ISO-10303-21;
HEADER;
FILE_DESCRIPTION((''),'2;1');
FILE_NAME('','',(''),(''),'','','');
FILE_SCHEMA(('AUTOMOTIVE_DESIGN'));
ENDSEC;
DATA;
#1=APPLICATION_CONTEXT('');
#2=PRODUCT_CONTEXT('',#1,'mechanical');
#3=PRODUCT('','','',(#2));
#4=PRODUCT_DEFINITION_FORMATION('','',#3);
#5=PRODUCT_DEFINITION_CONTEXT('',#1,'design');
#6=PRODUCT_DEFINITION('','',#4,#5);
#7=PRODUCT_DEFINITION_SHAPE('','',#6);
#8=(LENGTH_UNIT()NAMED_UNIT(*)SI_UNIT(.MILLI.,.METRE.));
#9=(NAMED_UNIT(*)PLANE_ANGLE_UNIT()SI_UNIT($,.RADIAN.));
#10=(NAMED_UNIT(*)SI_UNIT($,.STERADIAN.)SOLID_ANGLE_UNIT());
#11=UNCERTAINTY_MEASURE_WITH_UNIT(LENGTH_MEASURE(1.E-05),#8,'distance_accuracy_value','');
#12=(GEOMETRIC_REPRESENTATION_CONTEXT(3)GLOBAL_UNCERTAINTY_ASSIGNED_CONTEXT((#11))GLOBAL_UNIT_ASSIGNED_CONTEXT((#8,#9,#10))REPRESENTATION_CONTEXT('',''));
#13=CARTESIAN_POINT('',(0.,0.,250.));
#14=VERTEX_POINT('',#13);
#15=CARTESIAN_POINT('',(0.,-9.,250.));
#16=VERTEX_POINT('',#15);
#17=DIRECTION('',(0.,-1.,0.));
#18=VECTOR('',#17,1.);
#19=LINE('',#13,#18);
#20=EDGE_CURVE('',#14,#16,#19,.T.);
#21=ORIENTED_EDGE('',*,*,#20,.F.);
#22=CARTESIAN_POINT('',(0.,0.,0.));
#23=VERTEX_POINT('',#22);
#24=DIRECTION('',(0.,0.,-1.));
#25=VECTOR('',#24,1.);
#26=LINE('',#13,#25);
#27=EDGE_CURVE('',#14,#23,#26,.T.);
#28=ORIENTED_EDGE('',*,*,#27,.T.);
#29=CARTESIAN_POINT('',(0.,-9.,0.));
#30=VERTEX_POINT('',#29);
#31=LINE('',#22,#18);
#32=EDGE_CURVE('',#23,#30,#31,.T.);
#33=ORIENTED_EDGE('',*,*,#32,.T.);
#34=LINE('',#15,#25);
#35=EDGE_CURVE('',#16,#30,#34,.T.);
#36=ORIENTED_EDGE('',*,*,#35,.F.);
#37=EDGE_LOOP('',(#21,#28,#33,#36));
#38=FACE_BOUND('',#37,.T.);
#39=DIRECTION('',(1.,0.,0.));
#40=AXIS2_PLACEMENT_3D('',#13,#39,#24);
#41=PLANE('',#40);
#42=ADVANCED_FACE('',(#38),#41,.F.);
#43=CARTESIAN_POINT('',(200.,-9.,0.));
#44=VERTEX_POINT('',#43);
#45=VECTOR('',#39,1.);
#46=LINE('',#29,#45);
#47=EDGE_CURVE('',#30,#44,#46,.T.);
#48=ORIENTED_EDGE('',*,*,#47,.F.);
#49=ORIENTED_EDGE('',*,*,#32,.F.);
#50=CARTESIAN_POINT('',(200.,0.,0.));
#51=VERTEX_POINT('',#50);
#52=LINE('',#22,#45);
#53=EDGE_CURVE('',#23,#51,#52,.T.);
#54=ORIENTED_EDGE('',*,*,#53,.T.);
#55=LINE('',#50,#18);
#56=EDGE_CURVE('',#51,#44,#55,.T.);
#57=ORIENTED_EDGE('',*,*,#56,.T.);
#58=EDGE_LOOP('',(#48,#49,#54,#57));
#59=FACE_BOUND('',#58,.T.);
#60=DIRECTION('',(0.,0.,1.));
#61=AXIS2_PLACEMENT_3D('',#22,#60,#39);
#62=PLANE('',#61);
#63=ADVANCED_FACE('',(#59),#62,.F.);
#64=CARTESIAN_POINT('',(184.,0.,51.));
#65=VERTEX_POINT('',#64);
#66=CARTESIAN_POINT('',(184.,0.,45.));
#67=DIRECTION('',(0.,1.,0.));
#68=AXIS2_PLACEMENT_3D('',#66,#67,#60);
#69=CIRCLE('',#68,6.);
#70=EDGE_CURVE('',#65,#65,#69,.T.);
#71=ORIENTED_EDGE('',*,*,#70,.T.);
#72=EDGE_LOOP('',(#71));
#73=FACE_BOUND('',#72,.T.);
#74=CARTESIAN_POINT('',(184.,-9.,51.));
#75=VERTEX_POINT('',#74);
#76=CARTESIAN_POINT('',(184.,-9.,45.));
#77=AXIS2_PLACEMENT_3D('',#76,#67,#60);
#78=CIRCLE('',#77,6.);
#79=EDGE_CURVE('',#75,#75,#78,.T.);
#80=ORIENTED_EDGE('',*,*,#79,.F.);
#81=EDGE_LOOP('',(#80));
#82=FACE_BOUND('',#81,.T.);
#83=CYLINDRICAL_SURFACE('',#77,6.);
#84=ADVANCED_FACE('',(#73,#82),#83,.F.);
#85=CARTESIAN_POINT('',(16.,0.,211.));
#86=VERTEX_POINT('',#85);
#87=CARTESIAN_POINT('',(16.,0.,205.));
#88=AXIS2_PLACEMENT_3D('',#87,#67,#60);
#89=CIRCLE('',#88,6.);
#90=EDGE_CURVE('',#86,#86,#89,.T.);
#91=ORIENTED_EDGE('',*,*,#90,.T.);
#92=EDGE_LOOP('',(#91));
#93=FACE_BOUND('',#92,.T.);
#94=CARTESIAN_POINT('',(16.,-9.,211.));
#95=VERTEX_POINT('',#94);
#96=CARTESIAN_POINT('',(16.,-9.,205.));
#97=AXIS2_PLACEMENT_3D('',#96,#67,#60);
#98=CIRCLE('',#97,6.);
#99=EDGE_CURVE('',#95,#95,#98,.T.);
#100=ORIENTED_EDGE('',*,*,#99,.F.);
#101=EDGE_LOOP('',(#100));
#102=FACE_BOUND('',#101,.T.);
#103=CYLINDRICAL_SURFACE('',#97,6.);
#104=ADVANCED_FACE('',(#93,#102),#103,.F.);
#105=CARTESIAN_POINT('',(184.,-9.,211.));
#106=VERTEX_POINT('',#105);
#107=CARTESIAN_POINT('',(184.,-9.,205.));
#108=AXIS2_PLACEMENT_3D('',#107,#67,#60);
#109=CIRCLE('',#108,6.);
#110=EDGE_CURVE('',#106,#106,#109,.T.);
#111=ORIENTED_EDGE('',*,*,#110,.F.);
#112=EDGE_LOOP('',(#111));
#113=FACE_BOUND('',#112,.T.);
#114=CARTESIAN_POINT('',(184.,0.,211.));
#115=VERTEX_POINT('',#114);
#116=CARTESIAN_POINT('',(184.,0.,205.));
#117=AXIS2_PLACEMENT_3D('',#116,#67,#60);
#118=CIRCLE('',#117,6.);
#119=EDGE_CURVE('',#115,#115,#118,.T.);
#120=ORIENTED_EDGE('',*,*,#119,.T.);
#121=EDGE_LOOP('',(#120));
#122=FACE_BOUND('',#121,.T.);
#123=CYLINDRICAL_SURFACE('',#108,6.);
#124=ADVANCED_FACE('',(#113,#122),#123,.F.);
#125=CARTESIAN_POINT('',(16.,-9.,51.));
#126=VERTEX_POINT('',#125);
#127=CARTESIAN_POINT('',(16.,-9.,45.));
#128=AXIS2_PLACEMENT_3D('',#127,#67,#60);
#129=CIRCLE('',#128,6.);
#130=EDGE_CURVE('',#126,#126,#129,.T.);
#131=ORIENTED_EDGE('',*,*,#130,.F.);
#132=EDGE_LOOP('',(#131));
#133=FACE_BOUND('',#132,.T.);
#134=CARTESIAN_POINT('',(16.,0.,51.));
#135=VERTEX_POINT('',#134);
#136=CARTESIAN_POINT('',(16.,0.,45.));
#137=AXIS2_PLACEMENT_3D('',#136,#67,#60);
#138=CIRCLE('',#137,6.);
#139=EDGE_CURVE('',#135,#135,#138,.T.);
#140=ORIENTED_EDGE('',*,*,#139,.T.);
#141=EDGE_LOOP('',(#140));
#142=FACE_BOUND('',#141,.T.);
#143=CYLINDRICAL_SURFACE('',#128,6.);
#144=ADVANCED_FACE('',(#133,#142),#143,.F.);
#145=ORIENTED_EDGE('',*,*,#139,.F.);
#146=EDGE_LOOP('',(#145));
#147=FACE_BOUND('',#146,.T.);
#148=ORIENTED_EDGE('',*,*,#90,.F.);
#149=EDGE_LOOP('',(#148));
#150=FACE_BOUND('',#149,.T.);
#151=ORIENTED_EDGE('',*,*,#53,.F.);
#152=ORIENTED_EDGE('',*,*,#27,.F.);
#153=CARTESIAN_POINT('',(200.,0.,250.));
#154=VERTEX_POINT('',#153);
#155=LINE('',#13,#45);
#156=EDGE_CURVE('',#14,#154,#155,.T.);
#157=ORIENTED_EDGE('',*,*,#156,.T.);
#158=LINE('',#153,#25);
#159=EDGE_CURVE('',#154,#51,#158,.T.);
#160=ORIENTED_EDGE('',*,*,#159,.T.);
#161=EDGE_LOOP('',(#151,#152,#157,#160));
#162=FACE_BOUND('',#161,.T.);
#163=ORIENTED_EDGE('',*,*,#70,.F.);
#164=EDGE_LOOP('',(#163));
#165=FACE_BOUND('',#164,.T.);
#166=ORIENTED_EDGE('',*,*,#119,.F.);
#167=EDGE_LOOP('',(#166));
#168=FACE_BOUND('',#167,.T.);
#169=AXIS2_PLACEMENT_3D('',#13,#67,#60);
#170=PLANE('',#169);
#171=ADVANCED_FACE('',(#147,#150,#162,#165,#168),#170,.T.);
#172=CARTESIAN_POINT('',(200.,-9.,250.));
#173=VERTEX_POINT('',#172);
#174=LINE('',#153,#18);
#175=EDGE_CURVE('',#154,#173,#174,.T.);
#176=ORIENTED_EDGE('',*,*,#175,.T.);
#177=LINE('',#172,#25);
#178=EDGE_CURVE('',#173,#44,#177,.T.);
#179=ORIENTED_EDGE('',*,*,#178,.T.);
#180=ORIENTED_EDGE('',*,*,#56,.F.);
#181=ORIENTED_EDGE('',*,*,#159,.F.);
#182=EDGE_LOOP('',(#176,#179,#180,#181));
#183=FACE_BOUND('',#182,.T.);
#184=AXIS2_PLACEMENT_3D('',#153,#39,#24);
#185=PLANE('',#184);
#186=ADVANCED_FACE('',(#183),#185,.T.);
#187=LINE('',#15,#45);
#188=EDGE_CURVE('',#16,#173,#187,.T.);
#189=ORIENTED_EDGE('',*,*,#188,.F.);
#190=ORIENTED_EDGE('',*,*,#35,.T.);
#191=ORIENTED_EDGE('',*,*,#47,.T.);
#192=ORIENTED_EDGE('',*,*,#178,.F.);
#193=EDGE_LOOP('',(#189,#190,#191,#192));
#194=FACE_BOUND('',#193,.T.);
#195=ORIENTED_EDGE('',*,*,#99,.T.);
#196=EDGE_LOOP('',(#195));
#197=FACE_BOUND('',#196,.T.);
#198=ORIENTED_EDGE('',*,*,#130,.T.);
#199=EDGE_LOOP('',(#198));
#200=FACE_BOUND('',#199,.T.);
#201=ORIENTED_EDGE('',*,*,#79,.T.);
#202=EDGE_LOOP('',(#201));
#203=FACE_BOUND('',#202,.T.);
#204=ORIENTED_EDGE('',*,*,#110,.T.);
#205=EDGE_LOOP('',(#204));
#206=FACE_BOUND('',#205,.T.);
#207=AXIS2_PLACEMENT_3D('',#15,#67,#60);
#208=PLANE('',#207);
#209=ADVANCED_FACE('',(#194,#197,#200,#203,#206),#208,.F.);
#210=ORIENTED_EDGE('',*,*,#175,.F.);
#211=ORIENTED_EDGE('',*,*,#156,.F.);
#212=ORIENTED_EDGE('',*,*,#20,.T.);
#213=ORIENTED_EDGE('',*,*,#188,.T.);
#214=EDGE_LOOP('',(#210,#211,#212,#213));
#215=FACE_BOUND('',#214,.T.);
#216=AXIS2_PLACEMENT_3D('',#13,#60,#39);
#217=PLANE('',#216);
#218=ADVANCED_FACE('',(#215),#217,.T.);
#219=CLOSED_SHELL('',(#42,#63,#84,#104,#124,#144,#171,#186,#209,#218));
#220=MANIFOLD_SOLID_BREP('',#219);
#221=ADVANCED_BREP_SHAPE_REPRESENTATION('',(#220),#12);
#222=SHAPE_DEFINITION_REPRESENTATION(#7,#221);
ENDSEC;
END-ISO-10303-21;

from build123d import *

# Parameters (mm, degrees)
SKETCH1_W           = 200
SKETCH1_H           = 9
BOSS_EXTRUDE1_DEPTH = 250
SKETCH2_R           = 6
CUT_EXTRUDE2_DEPTH  = 321.282687637


with BuildPart() as part:
    # Sketch1 → Boss-Extrude1 (new body)
    with BuildSketch(Plane.XY):
        with Locations((100, -4.5)):
            Rectangle(SKETCH1_W, SKETCH1_H)
    extrude(amount=BOSS_EXTRUDE1_DEPTH)

    # Sketch2 → Cut-Extrude2 (cut, through all)
    with BuildSketch(Plane(origin=(0, 0, 0), x_dir=(1, 0, 0), z_dir=(0, 1, 0))):
        with Locations(Location((16, -45, 0), (0, 0, 270))):
            Circle(SKETCH2_R)
        with Locations(Location((184, -45, 0), (0, 0, 270))):
            Circle(SKETCH2_R)
        with Locations(Location((16, -205, 0), (0, 0, 270))):
            Circle(SKETCH2_R)
        with Locations(Location((184, -205, 0), (0, 0, 270))):
            Circle(SKETCH2_R)
    extrude(amount=-CUT_EXTRUDE2_DEPTH, mode=Mode.SUBTRACT)


solid = part.part
